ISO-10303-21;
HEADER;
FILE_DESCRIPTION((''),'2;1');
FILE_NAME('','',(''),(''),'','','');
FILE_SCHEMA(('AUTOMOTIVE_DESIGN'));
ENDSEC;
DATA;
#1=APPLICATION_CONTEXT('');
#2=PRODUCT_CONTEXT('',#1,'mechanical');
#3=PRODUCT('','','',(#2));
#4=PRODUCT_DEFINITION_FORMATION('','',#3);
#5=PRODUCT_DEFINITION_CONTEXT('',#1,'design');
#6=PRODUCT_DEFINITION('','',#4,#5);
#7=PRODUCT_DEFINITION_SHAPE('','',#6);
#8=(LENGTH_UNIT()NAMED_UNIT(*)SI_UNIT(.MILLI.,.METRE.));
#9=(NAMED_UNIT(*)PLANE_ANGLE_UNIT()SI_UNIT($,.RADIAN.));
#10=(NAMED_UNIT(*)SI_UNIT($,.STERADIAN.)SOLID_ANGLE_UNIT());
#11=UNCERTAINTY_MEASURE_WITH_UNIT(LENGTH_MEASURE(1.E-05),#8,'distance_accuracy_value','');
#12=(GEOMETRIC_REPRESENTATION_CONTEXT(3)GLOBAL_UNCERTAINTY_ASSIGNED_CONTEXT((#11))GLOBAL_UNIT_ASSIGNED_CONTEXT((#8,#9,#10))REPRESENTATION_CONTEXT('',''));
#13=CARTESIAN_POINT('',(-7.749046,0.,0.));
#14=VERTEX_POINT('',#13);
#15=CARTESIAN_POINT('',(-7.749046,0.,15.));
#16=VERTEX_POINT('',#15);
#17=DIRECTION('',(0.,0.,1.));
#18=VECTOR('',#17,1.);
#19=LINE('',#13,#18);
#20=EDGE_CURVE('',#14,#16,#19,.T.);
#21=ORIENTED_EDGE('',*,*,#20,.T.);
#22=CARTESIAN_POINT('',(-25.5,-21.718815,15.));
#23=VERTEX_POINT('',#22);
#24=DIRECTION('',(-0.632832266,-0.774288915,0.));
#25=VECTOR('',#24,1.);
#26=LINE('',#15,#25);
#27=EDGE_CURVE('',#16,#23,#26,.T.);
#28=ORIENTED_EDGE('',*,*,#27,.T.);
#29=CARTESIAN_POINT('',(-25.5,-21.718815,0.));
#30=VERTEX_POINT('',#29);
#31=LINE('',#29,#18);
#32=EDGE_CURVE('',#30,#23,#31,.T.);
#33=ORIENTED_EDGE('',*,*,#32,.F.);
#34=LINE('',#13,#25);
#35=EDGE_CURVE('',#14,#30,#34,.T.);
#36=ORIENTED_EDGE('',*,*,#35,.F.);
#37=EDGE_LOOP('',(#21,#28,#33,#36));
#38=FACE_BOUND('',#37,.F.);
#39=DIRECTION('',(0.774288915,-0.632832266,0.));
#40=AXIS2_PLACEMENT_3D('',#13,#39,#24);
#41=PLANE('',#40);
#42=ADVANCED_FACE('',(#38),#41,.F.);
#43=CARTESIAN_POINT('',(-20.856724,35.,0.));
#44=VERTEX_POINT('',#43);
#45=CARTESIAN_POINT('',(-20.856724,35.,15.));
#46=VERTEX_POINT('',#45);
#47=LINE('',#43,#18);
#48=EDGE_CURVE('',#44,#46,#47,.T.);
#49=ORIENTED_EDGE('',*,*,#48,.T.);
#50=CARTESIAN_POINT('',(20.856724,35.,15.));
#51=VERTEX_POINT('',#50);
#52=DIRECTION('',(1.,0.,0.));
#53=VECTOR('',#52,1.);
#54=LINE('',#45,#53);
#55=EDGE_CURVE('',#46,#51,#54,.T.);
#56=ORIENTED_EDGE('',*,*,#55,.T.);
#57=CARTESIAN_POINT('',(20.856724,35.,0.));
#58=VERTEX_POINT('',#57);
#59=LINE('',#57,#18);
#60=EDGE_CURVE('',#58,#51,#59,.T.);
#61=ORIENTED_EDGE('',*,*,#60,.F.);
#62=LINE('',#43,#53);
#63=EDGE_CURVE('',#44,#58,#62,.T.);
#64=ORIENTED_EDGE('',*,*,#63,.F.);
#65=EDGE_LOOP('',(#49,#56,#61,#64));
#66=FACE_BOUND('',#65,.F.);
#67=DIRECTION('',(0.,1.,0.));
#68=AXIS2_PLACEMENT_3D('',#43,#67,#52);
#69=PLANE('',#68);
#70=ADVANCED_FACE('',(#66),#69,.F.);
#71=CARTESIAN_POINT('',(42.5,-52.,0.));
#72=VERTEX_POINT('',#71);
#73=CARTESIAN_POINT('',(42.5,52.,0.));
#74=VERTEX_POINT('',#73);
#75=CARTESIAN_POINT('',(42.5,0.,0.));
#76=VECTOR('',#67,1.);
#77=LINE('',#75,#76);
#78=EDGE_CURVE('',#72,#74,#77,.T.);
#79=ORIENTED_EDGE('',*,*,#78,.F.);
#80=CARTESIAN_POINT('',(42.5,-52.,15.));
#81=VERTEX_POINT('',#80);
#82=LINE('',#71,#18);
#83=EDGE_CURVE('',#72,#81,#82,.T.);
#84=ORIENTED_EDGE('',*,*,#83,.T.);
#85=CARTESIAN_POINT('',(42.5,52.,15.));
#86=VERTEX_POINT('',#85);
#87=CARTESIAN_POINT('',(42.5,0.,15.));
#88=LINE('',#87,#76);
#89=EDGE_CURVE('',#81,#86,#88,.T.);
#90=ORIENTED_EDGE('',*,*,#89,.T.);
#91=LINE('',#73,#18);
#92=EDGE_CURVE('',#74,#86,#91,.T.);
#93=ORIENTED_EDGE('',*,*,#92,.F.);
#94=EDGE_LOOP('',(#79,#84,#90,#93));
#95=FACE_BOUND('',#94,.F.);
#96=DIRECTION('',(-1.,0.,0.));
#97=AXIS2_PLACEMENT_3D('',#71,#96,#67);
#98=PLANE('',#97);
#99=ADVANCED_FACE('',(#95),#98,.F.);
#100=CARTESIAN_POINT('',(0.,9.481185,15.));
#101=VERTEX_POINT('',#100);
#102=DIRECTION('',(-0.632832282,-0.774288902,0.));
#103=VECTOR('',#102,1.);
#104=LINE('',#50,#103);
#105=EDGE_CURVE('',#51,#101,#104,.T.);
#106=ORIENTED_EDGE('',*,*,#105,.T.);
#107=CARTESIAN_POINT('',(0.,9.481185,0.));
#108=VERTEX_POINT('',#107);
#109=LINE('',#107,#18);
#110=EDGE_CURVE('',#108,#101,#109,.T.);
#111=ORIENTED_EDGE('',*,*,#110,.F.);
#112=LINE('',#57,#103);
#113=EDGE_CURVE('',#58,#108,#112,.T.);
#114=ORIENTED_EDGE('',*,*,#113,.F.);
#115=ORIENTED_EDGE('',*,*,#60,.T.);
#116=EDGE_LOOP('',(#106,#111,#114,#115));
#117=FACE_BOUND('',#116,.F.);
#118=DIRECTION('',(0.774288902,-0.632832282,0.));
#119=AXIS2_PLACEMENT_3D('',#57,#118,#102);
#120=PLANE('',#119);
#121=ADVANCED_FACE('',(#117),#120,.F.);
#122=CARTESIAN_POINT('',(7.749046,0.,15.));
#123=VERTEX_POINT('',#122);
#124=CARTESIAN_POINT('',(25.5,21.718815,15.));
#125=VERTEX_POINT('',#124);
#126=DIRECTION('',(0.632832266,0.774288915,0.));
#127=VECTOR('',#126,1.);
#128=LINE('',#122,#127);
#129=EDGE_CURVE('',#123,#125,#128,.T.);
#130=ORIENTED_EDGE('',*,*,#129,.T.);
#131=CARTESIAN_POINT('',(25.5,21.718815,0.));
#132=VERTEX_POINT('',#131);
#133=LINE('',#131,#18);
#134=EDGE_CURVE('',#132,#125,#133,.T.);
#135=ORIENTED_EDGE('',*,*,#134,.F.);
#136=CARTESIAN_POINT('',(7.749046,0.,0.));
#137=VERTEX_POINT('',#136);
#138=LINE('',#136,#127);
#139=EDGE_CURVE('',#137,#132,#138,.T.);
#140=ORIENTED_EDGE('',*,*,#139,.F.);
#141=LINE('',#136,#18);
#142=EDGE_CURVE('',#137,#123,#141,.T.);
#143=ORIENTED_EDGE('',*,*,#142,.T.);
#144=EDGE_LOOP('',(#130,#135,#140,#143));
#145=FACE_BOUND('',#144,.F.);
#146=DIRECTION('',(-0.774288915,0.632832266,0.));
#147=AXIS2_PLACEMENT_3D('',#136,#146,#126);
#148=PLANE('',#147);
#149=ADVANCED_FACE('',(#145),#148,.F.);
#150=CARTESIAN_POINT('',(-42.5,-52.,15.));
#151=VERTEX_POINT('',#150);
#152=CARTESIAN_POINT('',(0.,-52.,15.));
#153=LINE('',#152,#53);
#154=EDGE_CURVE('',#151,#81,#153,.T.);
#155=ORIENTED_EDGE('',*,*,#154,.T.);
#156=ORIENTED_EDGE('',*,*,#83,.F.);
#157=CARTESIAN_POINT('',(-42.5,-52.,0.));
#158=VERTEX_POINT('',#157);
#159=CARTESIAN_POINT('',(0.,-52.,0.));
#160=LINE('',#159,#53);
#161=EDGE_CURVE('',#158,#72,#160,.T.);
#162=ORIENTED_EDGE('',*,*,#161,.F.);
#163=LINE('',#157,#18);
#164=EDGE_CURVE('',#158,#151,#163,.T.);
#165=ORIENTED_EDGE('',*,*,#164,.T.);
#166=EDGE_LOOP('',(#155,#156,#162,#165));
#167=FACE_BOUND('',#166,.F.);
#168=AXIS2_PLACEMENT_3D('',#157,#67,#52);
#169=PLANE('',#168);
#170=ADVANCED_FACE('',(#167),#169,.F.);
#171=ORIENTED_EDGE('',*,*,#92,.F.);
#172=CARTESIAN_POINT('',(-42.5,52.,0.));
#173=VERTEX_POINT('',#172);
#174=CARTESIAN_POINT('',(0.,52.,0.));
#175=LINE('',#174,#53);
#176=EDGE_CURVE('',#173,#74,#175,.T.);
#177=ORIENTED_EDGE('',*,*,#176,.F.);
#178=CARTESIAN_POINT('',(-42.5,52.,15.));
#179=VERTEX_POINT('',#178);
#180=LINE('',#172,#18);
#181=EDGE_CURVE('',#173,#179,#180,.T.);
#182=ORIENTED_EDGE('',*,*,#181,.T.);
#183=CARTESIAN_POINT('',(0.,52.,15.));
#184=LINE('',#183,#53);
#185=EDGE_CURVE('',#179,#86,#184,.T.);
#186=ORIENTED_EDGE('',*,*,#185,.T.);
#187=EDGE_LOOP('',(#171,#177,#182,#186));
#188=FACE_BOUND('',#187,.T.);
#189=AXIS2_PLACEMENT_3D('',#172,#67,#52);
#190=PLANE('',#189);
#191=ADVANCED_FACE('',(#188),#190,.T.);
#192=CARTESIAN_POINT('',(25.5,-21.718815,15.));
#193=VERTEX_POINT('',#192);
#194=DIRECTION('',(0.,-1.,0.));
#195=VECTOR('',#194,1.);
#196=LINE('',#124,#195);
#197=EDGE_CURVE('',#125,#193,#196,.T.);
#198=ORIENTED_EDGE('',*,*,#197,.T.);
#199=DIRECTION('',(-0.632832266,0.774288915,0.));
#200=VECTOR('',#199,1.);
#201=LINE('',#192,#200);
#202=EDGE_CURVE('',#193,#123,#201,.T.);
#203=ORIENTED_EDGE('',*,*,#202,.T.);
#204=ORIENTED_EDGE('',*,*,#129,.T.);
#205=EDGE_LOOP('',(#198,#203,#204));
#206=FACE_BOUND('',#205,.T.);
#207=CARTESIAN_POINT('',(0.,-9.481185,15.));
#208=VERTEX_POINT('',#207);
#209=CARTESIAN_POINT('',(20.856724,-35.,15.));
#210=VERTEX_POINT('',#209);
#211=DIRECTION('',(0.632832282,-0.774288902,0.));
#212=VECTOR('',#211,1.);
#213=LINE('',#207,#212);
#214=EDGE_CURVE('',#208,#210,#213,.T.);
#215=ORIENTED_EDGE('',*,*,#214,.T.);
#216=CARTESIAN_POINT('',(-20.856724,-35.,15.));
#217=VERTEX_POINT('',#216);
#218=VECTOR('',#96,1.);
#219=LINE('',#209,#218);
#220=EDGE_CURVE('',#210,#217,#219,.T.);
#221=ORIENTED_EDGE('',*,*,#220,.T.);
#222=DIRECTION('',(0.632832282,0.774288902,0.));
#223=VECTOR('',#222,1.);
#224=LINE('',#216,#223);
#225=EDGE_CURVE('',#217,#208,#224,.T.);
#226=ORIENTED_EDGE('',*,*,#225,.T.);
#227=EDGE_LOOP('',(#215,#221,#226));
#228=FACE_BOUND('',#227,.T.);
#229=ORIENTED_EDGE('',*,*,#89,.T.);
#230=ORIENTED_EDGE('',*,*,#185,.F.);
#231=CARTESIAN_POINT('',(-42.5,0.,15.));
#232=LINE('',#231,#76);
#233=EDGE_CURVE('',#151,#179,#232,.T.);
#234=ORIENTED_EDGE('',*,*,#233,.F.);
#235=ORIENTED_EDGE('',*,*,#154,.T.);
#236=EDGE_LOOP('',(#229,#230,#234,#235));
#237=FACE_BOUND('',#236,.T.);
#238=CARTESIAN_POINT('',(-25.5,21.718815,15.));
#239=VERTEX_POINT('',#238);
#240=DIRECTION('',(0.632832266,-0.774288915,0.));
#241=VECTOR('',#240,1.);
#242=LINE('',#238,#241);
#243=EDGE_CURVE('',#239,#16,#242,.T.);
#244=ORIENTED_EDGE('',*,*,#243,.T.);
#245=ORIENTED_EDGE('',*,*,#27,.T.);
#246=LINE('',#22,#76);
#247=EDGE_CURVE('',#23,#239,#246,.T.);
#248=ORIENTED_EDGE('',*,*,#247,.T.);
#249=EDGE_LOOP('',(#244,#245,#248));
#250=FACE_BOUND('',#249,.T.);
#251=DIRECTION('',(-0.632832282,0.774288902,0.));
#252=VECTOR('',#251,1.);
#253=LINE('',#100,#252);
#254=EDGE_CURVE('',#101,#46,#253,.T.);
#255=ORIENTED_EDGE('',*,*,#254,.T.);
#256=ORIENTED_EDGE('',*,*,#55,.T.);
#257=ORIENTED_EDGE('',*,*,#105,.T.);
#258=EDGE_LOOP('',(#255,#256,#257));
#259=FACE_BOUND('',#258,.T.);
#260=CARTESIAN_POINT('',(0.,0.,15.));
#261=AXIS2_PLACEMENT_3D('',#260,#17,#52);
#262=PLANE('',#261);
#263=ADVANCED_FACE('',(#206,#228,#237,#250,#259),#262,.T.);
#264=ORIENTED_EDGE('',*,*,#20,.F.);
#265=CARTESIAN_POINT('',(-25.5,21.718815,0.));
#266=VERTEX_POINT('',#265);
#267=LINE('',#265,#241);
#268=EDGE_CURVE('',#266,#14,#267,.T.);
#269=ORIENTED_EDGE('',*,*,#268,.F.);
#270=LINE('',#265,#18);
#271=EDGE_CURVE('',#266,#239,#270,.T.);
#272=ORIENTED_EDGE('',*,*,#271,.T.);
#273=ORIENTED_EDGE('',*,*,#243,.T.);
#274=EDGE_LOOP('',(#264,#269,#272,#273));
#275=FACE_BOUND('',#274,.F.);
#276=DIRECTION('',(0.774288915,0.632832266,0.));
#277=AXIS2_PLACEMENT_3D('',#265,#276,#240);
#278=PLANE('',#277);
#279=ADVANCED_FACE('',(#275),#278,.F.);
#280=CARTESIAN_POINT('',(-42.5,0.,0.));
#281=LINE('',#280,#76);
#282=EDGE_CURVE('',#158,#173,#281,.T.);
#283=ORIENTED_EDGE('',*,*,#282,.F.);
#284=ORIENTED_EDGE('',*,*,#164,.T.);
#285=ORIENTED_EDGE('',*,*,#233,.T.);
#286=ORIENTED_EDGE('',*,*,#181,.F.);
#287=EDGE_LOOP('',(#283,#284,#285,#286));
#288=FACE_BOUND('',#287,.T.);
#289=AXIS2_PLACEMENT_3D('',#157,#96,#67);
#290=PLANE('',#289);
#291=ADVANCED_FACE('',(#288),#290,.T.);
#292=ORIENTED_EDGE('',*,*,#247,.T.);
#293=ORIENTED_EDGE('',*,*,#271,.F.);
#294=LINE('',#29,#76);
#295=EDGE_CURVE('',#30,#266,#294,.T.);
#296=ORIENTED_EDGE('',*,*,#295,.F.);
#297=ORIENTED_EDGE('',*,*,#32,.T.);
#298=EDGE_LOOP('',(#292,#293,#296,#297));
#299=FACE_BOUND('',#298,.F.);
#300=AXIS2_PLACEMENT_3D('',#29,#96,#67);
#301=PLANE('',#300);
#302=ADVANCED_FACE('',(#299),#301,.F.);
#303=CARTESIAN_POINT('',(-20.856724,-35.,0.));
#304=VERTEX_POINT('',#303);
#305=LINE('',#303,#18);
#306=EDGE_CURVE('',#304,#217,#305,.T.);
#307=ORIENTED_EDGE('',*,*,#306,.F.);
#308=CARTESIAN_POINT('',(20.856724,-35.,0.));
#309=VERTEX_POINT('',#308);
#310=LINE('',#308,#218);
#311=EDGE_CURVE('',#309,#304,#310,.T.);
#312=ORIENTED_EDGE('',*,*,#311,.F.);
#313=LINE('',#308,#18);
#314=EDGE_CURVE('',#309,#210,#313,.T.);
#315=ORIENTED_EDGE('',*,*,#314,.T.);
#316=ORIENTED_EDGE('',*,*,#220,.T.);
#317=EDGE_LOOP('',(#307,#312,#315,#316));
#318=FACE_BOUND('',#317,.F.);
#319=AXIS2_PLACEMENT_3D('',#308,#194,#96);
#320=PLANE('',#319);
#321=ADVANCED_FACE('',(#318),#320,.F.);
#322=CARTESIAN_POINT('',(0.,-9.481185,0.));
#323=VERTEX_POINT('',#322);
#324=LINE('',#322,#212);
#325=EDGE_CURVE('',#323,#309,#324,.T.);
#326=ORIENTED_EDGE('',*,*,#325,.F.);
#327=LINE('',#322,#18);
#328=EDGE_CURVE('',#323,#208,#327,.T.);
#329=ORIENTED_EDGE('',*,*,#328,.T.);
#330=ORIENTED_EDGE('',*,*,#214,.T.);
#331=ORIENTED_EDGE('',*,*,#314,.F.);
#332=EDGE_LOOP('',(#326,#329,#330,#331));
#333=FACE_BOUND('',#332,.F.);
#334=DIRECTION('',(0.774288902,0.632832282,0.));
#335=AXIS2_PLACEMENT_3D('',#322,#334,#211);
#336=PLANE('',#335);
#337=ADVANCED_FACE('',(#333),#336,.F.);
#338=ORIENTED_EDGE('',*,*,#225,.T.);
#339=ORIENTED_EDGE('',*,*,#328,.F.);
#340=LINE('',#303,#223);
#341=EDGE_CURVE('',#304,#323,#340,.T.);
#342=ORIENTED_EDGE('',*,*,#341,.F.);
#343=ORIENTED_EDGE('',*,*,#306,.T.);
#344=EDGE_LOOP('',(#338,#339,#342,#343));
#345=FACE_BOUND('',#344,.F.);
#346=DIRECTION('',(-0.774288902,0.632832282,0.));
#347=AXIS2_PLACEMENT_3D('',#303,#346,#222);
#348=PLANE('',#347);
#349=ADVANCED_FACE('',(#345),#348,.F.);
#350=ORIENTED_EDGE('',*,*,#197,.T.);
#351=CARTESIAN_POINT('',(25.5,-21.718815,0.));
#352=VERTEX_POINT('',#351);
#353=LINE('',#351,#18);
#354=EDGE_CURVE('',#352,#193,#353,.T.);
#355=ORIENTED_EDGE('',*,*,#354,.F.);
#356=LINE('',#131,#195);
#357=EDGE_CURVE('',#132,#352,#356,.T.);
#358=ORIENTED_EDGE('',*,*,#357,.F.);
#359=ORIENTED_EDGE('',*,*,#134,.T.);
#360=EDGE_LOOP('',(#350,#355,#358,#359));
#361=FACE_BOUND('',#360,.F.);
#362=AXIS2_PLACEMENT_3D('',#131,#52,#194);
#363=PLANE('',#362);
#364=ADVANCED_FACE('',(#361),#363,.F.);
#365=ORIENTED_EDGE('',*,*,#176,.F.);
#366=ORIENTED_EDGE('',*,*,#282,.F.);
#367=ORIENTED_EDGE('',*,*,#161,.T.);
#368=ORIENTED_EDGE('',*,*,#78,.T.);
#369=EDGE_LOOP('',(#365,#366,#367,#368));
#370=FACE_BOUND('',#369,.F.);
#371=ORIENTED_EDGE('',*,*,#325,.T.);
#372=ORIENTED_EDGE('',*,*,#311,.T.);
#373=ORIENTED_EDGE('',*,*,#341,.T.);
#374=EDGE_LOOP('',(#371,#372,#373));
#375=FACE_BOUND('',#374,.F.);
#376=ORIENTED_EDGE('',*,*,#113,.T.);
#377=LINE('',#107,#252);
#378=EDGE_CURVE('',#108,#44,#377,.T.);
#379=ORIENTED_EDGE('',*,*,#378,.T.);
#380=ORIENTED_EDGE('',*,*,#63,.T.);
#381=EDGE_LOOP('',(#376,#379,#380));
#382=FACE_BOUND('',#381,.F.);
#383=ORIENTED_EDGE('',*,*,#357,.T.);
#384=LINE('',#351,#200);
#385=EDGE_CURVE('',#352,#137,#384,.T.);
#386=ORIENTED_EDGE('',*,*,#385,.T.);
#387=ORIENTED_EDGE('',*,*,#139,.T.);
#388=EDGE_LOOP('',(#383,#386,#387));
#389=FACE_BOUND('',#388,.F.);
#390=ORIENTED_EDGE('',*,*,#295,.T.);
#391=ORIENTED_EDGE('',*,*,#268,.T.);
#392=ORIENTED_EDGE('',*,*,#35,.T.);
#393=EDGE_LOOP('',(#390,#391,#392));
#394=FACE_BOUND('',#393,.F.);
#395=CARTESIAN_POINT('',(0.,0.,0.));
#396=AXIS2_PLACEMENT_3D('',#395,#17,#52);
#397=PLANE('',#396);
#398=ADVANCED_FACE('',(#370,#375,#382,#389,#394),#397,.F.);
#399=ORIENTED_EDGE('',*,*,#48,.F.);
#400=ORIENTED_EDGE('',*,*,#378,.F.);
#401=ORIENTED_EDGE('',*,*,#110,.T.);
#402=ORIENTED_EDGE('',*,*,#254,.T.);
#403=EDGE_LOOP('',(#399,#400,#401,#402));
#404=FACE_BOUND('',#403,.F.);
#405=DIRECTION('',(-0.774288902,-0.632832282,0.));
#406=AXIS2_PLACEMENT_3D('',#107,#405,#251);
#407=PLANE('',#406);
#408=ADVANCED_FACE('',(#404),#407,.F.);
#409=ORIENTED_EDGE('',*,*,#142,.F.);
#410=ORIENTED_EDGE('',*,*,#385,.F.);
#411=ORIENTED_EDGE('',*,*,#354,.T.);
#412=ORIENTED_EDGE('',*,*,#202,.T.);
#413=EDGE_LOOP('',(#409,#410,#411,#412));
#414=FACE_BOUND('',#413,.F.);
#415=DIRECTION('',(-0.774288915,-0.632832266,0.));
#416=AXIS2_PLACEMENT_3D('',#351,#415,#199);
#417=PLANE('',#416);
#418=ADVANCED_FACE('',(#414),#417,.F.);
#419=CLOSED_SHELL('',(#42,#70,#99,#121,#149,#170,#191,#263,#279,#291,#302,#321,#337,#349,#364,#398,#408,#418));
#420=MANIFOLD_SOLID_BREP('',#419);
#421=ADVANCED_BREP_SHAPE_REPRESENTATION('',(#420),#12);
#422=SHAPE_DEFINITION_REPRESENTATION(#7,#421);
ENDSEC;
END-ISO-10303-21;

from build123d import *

# Parameters (mm, degrees)
F0_W     = 85
F0_H     = 104
F1_DEPTH = 15


with BuildPart() as f1:
    # F0 (on Top) → F1 (new body)
    with BuildSketch(Plane.XY):
        Rectangle(F0_W, F0_H)
        Polygon((0, -9.481185), (20.856724, -35), (-20.856724, -35), align=None, mode=Mode.SUBTRACT)
        Polygon((-25.5, 21.718815), (-7.749046, 0), (-25.5, -21.718815), align=None, mode=Mode.SUBTRACT)
        Polygon((3.874523, -4.740593), (0, -9.481185), (-3.874523, -4.740593), (-7.749046, 0), (-3.874523, 4.740593), (0, 9.481185), (3.874523, 4.740593), (7.749046, 0), align=None, mode=Mode.SUBTRACT)
        Polygon((20.856724, 35), (0, 9.481185), (-20.856724, 35), align=None, mode=Mode.SUBTRACT)
        Polygon((25.5, -21.718815), (7.749046, 0), (25.5, 21.718815), align=None, mode=Mode.SUBTRACT)
        Polygon((-3.874523, -4.740593), (0, -9.481185), (3.874523, -4.740593), (0, 0), align=None)
        Polygon((-3.874523, 4.740593), (0, 0), (3.874523, 4.740593), (0, 9.481185), align=None)
        Polygon((0, 0), (3.874523, -4.740593), (7.749046, 0), (3.874523, 4.740593), align=None)
        Polygon((-7.749046, 0), (-3.874523, -4.740593), (0, 0), (-3.874523, 4.740593), align=None)
    extrude(amount=F1_DEPTH)


solid = f1.part
